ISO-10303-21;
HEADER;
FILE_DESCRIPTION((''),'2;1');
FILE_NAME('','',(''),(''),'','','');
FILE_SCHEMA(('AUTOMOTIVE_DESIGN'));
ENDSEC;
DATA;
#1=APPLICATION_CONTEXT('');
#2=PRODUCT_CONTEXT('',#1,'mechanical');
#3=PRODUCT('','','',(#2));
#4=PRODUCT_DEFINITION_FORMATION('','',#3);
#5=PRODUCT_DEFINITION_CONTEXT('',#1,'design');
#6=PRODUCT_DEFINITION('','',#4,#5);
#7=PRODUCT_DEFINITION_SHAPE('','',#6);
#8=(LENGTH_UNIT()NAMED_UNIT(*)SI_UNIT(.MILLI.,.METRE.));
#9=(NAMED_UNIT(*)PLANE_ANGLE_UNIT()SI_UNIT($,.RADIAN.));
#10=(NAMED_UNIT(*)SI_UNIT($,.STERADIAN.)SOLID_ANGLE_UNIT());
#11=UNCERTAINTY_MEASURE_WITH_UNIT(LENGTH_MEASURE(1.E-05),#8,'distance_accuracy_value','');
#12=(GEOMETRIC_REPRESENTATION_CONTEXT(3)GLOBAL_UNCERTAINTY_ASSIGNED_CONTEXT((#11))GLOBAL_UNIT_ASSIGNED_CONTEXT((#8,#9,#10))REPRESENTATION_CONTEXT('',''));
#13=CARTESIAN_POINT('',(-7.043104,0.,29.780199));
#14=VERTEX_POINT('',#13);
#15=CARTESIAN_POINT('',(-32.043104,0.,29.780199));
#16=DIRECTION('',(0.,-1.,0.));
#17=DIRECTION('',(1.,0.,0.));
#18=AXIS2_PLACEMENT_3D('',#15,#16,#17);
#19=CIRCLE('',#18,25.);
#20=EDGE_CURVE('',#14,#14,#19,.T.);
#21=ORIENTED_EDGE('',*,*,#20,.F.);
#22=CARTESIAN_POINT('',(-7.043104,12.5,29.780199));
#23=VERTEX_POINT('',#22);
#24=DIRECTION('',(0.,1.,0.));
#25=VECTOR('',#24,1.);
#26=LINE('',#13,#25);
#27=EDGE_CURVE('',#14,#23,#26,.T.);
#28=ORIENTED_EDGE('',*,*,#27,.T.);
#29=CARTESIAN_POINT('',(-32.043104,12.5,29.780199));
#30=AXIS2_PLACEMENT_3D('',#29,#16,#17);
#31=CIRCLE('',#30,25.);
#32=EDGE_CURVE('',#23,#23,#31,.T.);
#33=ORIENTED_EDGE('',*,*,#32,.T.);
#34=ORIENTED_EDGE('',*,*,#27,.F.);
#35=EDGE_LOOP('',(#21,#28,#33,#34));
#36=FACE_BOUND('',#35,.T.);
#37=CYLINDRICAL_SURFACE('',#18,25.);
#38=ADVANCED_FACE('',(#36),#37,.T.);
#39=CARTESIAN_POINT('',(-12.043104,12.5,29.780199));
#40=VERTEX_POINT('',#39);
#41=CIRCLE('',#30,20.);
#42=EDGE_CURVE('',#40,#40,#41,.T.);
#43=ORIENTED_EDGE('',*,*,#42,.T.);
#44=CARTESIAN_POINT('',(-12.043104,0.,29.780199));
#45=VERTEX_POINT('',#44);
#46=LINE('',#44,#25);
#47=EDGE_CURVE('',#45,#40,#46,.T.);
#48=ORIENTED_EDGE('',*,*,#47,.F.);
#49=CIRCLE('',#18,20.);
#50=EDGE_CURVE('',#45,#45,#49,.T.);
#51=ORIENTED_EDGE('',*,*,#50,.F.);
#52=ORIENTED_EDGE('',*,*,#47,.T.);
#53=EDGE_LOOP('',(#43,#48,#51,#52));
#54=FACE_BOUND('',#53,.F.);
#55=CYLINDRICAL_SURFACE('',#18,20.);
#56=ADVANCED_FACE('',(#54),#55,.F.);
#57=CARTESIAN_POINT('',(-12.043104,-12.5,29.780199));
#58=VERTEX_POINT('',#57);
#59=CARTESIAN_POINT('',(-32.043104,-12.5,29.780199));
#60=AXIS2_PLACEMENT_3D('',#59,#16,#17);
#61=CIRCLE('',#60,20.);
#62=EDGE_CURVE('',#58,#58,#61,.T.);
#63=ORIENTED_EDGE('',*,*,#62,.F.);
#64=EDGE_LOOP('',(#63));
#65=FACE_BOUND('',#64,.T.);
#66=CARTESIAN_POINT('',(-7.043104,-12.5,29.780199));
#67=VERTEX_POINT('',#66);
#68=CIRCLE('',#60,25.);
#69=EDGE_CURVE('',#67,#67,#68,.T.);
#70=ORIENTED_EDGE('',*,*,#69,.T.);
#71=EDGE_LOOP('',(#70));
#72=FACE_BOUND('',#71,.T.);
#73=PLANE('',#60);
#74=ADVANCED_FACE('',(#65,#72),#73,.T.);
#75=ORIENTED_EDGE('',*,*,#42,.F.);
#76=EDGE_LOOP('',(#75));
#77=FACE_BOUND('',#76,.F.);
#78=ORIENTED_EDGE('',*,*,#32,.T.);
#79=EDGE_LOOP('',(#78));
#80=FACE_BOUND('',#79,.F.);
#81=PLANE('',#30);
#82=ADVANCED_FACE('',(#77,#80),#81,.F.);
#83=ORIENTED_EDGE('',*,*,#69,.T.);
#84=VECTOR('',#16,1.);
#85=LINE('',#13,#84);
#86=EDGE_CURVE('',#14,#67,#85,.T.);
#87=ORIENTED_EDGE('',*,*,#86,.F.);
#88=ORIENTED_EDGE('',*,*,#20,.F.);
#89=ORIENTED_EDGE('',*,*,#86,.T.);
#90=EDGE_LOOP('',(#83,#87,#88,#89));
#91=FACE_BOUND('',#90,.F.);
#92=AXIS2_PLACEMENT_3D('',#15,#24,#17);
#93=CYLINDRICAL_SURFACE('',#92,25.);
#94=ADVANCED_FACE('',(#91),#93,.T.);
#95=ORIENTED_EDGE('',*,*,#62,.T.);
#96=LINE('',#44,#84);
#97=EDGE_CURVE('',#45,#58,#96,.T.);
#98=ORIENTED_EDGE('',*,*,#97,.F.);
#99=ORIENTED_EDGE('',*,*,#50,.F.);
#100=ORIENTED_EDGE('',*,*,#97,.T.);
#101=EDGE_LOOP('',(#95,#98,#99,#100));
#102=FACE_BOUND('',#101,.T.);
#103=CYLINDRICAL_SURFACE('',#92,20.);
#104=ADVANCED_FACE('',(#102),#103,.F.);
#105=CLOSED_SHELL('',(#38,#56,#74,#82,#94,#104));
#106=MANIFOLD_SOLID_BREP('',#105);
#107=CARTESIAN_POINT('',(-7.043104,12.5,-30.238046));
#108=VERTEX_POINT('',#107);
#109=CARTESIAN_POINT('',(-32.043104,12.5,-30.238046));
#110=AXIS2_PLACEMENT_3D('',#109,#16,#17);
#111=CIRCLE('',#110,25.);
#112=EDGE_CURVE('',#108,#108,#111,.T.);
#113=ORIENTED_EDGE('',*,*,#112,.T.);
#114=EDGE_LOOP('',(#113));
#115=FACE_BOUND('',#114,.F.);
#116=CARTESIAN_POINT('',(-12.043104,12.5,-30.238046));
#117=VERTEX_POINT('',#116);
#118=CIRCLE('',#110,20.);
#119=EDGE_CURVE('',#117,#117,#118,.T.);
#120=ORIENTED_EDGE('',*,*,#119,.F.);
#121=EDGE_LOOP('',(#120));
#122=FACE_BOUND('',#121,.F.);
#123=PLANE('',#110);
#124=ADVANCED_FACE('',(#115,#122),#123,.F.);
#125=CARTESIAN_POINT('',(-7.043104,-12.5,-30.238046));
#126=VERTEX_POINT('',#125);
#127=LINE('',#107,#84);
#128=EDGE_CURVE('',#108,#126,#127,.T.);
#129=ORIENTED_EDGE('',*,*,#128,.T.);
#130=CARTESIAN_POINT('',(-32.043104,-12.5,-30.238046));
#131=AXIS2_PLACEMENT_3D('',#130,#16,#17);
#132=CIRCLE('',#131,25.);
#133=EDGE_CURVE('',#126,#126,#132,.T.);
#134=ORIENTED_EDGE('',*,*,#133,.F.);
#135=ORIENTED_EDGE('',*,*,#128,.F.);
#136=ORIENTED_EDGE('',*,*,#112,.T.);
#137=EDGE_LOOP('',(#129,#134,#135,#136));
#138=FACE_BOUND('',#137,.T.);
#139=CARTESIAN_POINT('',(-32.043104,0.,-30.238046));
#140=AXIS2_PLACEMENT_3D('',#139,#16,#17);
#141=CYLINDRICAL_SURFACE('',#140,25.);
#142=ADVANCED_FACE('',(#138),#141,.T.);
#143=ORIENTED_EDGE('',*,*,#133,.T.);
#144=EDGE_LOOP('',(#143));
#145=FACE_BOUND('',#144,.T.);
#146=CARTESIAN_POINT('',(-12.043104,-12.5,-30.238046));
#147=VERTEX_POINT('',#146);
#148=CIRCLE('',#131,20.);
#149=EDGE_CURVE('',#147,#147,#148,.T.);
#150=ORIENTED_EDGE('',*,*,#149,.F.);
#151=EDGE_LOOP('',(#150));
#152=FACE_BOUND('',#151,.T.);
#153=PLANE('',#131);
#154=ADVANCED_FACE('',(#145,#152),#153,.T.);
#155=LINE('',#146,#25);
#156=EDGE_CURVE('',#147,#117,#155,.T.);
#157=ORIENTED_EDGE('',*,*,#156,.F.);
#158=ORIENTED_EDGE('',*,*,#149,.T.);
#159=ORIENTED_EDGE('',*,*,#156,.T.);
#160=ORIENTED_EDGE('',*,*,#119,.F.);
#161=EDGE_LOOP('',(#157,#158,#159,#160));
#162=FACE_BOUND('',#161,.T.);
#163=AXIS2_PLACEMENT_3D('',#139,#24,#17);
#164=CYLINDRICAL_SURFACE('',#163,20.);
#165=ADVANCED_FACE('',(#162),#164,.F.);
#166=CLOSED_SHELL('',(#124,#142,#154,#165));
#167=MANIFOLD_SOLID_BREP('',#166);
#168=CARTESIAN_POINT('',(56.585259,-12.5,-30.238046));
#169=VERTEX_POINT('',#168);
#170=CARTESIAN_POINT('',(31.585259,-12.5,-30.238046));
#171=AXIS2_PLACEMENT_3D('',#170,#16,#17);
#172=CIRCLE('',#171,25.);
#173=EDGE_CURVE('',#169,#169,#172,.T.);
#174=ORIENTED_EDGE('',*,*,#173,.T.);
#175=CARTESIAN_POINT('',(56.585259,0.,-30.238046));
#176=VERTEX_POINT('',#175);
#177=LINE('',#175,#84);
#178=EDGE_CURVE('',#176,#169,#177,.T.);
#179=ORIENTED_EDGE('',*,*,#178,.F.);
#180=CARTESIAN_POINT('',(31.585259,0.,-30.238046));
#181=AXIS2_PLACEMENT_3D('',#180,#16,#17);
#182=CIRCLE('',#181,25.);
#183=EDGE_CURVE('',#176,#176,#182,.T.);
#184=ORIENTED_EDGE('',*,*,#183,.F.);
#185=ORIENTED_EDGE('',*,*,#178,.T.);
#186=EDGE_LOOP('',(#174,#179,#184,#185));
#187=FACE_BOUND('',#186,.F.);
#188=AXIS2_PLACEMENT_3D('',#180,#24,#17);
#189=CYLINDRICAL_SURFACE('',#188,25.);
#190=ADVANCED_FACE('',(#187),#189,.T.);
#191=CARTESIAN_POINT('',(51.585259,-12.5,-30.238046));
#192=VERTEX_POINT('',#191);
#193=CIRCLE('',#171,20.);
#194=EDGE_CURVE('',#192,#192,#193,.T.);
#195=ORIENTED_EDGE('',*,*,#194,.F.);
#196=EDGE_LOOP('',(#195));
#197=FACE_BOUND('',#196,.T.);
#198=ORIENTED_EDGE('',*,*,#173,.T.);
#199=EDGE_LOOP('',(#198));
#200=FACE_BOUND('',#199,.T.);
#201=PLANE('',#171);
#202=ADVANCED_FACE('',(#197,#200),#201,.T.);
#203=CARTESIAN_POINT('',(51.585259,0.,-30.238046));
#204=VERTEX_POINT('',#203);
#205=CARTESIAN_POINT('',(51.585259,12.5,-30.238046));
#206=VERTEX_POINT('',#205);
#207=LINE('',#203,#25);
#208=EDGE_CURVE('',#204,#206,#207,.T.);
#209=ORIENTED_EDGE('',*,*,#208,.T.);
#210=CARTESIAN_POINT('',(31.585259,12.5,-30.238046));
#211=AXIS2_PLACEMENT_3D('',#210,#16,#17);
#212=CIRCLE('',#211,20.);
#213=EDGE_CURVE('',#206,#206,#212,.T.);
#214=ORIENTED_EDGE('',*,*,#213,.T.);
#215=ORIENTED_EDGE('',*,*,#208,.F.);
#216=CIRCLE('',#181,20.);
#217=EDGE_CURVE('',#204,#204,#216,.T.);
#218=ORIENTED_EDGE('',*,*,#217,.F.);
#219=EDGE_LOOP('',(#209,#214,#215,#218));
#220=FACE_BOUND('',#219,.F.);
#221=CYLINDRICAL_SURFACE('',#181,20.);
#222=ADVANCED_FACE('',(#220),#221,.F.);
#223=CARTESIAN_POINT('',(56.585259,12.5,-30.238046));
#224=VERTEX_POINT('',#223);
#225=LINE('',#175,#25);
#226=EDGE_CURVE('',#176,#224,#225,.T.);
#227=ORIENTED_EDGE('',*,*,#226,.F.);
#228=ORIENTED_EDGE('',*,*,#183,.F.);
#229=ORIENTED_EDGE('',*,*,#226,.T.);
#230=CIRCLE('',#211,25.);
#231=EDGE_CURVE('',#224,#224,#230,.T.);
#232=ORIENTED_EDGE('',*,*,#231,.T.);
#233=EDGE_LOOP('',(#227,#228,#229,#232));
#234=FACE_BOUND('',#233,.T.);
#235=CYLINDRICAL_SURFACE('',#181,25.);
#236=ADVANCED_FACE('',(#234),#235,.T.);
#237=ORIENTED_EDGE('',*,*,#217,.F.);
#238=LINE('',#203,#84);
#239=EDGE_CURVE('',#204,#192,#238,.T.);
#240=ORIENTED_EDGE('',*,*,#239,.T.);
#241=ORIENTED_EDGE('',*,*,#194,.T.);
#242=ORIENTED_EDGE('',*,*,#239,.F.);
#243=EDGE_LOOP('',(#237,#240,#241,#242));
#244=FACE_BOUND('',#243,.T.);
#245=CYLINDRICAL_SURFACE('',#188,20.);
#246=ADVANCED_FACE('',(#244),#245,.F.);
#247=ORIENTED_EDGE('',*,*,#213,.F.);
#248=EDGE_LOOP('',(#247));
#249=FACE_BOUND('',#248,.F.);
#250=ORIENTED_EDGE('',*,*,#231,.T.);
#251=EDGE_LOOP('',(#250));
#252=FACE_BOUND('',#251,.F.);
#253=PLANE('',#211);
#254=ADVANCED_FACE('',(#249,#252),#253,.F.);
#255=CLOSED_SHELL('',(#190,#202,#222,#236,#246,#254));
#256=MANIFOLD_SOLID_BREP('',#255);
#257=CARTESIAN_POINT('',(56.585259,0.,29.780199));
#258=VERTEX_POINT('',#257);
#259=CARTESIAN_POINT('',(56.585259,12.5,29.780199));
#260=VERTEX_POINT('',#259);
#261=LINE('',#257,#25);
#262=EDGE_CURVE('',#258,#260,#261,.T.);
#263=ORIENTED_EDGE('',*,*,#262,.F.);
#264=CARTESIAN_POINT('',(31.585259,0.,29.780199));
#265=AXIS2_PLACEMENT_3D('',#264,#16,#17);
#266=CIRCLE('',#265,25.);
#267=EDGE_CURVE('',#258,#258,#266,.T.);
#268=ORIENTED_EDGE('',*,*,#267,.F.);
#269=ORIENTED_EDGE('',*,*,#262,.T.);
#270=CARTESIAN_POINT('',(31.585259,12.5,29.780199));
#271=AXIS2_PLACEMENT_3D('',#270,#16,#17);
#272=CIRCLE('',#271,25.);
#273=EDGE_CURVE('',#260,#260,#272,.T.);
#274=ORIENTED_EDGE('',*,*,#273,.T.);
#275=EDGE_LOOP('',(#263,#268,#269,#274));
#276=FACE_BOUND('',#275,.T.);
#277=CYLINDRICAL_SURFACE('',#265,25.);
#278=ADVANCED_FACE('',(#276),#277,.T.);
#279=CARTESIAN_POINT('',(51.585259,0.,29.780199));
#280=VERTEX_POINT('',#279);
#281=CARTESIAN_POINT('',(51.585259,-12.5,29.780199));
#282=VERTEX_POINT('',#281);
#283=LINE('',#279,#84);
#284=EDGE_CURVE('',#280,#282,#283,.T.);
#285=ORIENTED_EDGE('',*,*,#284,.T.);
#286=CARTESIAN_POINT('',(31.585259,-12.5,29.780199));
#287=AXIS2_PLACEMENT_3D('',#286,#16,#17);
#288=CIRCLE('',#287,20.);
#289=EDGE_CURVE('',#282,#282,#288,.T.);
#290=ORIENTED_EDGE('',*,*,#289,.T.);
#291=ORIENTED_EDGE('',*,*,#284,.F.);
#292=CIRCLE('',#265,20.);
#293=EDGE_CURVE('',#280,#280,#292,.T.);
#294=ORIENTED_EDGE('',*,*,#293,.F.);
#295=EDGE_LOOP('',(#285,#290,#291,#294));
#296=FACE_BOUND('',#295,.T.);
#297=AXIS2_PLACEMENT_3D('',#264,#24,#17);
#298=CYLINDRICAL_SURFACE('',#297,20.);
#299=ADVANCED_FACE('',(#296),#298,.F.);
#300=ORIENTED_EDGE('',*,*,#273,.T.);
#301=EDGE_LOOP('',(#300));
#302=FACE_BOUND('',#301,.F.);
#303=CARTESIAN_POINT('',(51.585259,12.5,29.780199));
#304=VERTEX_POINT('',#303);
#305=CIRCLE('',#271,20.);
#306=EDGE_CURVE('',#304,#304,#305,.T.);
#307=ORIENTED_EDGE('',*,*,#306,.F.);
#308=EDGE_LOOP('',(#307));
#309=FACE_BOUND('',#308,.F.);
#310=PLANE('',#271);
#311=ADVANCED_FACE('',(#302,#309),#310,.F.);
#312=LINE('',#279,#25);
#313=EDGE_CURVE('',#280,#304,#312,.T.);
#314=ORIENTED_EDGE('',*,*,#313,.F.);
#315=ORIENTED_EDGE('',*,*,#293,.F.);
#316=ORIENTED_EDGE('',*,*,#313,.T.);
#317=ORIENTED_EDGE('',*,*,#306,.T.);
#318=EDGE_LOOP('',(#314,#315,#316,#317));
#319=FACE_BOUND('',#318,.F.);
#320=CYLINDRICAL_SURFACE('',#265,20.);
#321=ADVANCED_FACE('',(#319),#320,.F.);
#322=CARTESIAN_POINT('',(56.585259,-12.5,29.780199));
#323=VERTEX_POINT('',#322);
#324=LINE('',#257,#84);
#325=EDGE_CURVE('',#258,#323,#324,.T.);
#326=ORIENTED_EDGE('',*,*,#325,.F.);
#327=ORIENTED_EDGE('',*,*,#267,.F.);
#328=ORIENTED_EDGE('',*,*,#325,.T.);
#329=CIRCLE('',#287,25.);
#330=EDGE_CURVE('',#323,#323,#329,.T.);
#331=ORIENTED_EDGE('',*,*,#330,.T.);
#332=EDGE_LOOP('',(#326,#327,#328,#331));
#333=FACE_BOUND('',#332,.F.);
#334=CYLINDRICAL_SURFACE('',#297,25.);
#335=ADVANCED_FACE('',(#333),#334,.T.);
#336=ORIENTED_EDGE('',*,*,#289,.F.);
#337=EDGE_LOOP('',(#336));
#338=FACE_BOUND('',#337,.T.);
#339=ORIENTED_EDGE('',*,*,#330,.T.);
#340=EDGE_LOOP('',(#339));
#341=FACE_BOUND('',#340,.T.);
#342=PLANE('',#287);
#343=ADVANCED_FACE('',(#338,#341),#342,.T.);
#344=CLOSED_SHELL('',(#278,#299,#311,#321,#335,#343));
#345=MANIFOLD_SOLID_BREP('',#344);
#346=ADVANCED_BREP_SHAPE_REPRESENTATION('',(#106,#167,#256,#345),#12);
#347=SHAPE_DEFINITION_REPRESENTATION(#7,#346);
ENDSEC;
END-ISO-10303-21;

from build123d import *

# Parameters (mm, degrees)
F0_R     = 25
F0_R_2   = 20
F1_DEPTH = 12.5


with BuildPart() as f1:
    # F0 (on Front) → F1 (new body, symmetric)
    with BuildSketch(Plane.XZ):
        with Locations((-32.043104, 29.780199)):
            Circle(F0_R)
        with Locations((-32.043104, 29.780199)):
            Circle(F0_R_2, mode=Mode.SUBTRACT)
        with Locations((31.585259, 29.780199)):
            Circle(F0_R)
        with Locations((31.585259, 29.780199)):
            Circle(F0_R_2, mode=Mode.SUBTRACT)
        with Locations((31.585259, -30.238046)):
            Circle(F0_R)
        with Locations((31.585259, -30.238046)):
            Circle(F0_R_2, mode=Mode.SUBTRACT)
        with Locations((-32.043104, -30.238046)):
            Circle(F0_R)
        with Locations((-32.043104, -30.238046)):
            Circle(F0_R_2, mode=Mode.SUBTRACT)
    extrude(amount=F1_DEPTH, both=True)


solid = f1.part
